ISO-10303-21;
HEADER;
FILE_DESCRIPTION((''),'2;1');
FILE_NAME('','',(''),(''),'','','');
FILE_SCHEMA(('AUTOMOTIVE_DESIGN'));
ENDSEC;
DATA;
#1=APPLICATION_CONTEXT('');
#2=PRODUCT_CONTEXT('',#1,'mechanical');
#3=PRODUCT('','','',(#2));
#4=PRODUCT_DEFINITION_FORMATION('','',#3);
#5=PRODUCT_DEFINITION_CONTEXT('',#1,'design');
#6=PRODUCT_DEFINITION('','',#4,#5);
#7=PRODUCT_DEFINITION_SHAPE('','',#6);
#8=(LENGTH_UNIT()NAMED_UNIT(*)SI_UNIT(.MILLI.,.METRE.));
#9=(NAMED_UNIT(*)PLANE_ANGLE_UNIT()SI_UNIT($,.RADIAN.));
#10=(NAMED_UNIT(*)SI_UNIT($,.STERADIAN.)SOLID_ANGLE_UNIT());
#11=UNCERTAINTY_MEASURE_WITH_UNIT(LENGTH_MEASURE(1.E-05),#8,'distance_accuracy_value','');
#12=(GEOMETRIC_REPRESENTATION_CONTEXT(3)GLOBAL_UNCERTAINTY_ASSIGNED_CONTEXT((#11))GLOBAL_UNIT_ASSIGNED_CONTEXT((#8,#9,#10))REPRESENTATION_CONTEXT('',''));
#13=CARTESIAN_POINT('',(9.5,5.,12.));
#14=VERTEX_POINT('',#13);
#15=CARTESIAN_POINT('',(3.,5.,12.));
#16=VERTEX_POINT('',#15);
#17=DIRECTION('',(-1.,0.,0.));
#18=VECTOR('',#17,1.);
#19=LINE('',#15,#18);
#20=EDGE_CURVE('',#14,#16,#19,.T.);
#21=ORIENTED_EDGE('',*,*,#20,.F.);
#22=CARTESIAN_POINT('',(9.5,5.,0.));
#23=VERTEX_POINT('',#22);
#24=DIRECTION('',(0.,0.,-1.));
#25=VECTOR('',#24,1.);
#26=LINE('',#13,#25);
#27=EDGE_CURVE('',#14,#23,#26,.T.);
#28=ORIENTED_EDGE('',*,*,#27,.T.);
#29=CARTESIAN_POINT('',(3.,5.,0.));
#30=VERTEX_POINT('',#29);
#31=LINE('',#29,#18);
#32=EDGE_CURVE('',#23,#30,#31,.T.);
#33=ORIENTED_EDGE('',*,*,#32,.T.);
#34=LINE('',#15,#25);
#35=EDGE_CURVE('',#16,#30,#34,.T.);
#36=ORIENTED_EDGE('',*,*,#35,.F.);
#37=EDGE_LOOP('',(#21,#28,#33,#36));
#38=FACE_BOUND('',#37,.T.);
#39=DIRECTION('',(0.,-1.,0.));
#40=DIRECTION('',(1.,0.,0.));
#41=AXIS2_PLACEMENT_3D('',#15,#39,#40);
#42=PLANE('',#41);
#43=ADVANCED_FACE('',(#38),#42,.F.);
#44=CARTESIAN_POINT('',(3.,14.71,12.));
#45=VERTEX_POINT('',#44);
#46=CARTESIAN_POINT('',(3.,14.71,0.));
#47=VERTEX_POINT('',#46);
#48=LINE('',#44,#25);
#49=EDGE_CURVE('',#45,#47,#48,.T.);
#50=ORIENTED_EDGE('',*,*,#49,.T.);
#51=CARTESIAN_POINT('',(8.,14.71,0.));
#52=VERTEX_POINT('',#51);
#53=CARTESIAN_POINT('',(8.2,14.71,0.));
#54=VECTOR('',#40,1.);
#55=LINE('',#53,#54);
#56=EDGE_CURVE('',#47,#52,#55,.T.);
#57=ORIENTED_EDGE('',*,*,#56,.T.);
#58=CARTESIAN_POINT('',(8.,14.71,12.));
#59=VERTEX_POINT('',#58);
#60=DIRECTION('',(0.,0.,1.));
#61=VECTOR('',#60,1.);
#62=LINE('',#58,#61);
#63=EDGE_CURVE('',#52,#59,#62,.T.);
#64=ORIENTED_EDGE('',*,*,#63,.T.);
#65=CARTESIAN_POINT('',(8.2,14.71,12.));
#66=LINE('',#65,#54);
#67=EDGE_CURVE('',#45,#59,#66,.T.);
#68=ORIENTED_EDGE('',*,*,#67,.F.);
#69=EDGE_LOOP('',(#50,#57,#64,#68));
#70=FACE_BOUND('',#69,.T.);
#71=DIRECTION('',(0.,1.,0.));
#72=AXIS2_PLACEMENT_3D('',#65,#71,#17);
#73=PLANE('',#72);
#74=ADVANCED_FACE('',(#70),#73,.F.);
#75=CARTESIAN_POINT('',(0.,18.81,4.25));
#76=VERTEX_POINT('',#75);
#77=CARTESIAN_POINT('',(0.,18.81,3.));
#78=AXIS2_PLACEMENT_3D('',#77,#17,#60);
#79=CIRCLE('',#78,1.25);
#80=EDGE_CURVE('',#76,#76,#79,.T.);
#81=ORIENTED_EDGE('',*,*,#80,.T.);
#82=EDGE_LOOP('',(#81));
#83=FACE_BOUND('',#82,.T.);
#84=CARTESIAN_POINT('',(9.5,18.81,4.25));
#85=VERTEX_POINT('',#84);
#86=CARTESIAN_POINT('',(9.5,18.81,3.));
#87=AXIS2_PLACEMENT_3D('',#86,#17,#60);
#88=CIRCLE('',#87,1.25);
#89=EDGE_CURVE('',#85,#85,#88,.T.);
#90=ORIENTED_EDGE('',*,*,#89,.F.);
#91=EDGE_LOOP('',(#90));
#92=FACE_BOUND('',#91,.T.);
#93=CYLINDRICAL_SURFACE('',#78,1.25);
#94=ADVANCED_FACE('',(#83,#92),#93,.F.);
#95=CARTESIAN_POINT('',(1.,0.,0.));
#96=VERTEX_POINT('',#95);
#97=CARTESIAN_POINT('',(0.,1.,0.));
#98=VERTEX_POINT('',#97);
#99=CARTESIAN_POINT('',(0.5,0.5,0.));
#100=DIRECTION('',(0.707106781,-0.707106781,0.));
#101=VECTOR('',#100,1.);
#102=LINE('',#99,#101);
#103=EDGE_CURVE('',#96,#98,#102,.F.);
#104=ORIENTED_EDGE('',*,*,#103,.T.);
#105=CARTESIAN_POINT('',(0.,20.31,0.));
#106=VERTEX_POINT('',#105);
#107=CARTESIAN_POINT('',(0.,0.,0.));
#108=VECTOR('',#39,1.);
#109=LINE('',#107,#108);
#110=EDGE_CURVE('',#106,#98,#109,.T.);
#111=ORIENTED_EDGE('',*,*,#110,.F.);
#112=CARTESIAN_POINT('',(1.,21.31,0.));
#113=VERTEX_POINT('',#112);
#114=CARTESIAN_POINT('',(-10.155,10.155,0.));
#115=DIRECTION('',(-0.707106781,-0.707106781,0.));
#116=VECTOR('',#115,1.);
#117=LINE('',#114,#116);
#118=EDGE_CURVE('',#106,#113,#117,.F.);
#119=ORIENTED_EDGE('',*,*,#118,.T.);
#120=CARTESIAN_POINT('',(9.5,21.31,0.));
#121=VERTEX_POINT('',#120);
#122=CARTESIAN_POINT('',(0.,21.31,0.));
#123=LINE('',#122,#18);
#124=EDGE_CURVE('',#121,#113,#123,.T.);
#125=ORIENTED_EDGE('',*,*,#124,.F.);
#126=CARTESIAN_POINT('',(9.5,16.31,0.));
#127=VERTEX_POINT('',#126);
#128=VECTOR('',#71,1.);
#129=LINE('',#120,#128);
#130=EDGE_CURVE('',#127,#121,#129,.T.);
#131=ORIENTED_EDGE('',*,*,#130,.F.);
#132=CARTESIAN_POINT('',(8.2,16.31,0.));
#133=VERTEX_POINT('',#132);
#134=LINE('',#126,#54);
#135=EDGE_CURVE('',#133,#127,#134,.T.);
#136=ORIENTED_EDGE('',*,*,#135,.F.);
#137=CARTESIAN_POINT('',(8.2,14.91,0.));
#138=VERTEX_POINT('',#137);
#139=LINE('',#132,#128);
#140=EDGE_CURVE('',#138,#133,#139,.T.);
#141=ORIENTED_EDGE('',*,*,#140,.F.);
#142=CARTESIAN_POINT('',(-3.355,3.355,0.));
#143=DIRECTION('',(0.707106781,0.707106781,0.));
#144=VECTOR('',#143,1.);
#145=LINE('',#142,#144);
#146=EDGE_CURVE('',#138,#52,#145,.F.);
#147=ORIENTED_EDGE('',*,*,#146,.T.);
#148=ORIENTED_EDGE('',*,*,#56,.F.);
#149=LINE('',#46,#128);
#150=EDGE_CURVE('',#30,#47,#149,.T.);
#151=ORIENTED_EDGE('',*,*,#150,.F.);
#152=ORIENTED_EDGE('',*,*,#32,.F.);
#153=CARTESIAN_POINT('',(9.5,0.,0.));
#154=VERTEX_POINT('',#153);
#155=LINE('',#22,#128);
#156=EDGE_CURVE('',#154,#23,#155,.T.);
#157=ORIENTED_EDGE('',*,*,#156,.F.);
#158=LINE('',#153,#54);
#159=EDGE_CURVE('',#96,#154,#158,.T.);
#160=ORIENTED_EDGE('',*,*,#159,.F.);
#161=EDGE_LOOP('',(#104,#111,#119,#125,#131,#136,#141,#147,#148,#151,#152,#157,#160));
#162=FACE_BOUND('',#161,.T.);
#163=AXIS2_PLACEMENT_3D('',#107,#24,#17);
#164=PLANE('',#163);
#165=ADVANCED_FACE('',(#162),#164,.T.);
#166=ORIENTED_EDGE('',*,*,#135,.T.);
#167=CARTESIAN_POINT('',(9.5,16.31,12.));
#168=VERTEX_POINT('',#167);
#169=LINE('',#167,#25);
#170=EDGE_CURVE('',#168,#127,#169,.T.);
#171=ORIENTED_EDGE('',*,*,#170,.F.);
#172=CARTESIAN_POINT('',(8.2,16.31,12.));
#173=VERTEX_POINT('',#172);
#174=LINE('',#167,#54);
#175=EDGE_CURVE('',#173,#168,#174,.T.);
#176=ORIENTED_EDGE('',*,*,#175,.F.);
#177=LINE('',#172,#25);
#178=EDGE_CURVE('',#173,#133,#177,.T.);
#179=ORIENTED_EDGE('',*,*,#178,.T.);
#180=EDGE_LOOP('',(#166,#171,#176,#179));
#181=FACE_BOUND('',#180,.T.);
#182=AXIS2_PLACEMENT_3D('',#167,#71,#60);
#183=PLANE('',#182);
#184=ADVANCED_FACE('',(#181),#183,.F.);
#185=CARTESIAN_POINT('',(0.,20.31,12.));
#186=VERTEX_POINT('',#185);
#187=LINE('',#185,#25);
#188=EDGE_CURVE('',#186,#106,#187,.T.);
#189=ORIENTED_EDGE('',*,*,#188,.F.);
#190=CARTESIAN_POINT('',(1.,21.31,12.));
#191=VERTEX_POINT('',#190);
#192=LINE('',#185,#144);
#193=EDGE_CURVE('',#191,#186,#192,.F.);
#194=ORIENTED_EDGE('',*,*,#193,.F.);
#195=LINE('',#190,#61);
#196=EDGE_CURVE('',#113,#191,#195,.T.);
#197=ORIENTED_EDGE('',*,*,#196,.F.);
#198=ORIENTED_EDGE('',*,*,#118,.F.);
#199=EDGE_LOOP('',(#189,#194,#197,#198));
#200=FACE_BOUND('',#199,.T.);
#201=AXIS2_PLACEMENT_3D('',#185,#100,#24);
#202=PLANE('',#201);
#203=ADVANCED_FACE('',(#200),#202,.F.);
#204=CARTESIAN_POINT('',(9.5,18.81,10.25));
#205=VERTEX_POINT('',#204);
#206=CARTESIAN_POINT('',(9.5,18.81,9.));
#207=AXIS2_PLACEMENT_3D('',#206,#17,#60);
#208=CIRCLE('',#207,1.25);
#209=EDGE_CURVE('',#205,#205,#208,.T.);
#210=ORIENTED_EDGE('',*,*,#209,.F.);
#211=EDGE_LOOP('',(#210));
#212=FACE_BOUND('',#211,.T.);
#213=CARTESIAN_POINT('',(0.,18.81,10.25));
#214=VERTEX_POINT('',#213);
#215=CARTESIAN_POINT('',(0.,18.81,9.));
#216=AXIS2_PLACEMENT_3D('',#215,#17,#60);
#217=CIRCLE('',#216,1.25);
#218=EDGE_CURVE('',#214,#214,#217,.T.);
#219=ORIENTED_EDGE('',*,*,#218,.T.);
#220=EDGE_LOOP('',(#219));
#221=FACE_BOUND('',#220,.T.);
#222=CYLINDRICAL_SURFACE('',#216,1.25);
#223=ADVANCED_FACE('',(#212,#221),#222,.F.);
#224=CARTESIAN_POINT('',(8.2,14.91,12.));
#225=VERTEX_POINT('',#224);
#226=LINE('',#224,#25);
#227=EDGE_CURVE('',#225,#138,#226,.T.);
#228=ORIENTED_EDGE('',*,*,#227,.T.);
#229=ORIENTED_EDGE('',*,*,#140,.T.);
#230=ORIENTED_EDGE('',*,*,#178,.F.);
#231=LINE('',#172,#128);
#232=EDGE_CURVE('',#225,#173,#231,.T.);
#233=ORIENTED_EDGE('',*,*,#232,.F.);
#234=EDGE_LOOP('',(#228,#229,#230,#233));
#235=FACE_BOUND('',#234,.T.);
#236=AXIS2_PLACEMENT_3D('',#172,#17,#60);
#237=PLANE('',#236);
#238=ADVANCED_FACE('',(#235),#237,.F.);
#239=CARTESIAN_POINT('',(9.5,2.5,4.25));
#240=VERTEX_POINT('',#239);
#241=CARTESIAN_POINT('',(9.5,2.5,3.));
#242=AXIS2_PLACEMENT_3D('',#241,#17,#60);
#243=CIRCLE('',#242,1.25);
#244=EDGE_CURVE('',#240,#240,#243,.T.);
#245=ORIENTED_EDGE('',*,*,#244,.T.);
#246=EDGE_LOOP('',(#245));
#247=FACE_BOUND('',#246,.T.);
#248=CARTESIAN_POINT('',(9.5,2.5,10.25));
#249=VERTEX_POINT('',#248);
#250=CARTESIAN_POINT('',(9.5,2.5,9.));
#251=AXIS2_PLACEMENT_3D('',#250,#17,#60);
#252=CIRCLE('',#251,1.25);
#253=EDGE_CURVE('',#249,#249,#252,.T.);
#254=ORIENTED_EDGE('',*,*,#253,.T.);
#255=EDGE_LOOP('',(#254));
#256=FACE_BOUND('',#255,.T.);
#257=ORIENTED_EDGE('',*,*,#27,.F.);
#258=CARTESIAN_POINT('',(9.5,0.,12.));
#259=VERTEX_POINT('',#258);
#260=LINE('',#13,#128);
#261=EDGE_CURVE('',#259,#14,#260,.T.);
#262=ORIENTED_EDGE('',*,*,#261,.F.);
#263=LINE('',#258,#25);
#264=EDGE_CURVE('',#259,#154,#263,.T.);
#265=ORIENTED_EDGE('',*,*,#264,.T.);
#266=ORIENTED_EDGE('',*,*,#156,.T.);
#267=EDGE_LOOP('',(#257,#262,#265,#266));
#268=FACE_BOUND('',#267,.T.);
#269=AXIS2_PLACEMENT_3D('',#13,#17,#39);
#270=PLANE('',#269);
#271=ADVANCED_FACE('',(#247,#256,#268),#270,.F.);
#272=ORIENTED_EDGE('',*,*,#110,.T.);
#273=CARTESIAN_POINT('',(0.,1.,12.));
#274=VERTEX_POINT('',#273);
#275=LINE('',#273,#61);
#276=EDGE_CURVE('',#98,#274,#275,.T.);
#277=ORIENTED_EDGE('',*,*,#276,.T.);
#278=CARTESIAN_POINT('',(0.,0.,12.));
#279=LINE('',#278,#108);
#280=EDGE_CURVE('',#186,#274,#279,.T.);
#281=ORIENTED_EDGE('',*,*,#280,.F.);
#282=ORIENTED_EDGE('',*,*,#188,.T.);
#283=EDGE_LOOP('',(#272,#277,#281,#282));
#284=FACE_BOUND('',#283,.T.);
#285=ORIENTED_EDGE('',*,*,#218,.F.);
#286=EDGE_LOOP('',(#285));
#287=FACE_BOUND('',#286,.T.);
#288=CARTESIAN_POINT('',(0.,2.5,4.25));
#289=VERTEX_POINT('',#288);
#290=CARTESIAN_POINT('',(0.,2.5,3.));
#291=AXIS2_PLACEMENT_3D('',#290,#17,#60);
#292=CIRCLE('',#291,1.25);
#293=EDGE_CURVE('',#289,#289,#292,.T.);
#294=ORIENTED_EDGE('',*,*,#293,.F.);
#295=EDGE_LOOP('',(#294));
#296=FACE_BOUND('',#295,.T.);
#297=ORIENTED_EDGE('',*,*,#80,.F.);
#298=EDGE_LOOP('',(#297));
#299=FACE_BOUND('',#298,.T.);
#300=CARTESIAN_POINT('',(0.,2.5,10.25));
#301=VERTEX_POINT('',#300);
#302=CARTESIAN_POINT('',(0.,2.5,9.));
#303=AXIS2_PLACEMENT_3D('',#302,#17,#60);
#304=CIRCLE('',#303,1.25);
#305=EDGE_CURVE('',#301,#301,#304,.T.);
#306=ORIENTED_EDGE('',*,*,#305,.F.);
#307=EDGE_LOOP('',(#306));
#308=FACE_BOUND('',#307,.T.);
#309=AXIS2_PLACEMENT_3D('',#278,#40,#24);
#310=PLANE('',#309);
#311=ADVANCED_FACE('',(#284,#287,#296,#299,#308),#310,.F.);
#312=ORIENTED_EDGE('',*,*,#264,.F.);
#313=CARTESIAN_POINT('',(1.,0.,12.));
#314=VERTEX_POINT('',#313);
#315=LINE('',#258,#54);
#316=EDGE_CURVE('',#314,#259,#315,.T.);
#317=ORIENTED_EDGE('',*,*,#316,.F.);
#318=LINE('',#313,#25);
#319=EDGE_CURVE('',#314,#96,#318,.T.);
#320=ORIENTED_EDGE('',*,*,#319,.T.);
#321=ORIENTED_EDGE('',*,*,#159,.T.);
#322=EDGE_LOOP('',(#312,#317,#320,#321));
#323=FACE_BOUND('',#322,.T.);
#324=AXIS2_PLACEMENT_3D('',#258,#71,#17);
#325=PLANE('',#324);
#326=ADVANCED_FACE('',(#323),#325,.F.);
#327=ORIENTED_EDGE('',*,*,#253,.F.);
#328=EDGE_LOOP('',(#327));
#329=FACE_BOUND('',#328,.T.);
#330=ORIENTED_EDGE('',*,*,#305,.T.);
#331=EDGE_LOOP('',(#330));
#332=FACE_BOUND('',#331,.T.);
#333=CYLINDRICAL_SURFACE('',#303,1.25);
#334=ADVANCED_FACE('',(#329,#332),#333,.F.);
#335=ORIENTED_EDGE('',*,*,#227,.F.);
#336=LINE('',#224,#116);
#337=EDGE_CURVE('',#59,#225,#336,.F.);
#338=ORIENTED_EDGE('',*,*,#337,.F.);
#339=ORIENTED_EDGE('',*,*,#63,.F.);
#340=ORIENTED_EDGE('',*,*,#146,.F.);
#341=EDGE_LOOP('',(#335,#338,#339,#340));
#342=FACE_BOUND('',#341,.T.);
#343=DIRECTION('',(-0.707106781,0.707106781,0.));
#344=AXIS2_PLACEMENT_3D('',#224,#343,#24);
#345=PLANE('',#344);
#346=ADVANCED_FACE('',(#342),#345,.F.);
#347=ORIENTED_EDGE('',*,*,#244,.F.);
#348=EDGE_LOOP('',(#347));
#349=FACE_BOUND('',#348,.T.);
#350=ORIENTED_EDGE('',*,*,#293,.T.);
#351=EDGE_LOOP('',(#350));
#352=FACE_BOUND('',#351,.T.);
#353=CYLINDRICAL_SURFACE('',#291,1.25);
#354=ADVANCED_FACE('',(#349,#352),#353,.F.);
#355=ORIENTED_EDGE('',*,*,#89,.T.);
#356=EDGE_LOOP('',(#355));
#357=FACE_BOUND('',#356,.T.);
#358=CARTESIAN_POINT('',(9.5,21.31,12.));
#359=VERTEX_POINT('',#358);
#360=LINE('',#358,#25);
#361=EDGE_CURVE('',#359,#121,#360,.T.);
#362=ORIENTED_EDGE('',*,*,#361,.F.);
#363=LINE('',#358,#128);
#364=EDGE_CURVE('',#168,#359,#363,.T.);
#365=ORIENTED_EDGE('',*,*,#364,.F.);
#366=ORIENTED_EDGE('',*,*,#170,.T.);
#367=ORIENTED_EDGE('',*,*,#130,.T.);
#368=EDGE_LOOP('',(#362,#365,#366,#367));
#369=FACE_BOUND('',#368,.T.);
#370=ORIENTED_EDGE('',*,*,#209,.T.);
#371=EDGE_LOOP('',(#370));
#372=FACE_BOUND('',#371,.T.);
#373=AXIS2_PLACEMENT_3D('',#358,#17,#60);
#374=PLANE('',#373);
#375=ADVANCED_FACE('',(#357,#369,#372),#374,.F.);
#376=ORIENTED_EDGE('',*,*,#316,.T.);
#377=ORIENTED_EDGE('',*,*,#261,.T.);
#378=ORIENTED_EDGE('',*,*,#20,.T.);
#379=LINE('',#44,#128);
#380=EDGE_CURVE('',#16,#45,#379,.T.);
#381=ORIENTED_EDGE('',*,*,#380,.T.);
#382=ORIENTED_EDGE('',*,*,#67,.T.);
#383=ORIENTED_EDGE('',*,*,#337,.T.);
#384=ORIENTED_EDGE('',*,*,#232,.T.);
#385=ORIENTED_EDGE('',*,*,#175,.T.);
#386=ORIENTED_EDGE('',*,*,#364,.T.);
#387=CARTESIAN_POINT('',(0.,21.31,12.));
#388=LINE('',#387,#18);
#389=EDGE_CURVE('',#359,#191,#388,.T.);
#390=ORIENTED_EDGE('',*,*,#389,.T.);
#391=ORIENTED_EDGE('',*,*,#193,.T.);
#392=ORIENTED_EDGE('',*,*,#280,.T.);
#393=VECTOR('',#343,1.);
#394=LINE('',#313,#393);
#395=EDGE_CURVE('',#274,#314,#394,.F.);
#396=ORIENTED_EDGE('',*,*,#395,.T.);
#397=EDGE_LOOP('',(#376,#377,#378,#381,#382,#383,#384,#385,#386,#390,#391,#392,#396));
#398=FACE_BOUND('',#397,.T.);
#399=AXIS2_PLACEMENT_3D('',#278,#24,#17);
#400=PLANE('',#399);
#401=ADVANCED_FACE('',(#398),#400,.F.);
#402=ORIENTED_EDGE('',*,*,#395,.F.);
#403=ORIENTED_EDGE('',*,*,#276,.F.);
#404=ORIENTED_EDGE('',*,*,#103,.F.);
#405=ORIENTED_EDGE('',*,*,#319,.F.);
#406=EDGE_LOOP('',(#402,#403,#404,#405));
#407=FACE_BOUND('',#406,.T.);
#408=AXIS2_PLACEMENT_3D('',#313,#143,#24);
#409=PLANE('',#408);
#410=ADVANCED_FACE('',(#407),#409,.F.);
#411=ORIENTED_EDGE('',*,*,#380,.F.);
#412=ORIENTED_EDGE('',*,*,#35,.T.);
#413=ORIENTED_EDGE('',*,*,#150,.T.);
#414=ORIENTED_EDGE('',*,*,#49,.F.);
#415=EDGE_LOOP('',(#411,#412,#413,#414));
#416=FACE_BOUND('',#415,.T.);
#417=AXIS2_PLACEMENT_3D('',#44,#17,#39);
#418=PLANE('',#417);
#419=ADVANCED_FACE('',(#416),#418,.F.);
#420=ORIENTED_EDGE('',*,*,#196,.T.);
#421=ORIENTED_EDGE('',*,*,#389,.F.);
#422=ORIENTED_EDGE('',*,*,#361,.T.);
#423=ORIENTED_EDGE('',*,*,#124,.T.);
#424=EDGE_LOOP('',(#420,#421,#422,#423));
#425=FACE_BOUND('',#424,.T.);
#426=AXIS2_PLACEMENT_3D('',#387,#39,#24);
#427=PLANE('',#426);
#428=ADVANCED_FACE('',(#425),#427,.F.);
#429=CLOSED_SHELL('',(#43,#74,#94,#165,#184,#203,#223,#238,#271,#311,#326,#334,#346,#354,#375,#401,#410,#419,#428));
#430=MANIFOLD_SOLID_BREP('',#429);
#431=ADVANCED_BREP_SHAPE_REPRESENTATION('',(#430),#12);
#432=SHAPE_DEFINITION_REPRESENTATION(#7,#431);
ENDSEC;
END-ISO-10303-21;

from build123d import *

# Parameters (mm, degrees)
EXTRUDE_1_DEPTH    = 12
CHAMFER_1_SIZE     = 0.2
HOLE_WIZARD_M3_2_D = 2.5
CHAMFER_2_SIZE     = 1


with BuildPart() as part:
    # 草图1 → 凸台-拉伸1 (new body)
    with BuildSketch(Plane.XY):
        Polygon((0, 0), (0, 21.31), (9.5, 21.31), (9.5, 16.31), (8.2, 16.31), (8.2, 14.71), (3, 14.71), (3, 5), (9.5, 5), (9.5, 0), align=None)
    extrude(amount=EXTRUDE_1_DEPTH)

    # 倒角1
    chamfer_1_edges = [part.edges().sort_by_distance(p)[0] for p in [
        (8.2, 14.71, 6),
    ]]
    chamfer(chamfer_1_edges, length=CHAMFER_1_SIZE)

    # M3 螺纹孔2 (through all)
    with Locations(Plane(origin=(0, 2.5, 3), x_dir=(0, 0, -1), z_dir=(-1, 0, 0))):
        with Locations((0, 0), (-6, 0), (-6, -16.31), (0, -16.31)):
            Hole(HOLE_WIZARD_M3_2_D / 2)

    # 倒角2
    chamfer_2_edges = [part.edges().sort_by_distance(p)[0] for p in [
        (0, 0, 6),
        (0, 21.31, 6),
    ]]
    chamfer(chamfer_2_edges, length=CHAMFER_2_SIZE)


solid = part.part
